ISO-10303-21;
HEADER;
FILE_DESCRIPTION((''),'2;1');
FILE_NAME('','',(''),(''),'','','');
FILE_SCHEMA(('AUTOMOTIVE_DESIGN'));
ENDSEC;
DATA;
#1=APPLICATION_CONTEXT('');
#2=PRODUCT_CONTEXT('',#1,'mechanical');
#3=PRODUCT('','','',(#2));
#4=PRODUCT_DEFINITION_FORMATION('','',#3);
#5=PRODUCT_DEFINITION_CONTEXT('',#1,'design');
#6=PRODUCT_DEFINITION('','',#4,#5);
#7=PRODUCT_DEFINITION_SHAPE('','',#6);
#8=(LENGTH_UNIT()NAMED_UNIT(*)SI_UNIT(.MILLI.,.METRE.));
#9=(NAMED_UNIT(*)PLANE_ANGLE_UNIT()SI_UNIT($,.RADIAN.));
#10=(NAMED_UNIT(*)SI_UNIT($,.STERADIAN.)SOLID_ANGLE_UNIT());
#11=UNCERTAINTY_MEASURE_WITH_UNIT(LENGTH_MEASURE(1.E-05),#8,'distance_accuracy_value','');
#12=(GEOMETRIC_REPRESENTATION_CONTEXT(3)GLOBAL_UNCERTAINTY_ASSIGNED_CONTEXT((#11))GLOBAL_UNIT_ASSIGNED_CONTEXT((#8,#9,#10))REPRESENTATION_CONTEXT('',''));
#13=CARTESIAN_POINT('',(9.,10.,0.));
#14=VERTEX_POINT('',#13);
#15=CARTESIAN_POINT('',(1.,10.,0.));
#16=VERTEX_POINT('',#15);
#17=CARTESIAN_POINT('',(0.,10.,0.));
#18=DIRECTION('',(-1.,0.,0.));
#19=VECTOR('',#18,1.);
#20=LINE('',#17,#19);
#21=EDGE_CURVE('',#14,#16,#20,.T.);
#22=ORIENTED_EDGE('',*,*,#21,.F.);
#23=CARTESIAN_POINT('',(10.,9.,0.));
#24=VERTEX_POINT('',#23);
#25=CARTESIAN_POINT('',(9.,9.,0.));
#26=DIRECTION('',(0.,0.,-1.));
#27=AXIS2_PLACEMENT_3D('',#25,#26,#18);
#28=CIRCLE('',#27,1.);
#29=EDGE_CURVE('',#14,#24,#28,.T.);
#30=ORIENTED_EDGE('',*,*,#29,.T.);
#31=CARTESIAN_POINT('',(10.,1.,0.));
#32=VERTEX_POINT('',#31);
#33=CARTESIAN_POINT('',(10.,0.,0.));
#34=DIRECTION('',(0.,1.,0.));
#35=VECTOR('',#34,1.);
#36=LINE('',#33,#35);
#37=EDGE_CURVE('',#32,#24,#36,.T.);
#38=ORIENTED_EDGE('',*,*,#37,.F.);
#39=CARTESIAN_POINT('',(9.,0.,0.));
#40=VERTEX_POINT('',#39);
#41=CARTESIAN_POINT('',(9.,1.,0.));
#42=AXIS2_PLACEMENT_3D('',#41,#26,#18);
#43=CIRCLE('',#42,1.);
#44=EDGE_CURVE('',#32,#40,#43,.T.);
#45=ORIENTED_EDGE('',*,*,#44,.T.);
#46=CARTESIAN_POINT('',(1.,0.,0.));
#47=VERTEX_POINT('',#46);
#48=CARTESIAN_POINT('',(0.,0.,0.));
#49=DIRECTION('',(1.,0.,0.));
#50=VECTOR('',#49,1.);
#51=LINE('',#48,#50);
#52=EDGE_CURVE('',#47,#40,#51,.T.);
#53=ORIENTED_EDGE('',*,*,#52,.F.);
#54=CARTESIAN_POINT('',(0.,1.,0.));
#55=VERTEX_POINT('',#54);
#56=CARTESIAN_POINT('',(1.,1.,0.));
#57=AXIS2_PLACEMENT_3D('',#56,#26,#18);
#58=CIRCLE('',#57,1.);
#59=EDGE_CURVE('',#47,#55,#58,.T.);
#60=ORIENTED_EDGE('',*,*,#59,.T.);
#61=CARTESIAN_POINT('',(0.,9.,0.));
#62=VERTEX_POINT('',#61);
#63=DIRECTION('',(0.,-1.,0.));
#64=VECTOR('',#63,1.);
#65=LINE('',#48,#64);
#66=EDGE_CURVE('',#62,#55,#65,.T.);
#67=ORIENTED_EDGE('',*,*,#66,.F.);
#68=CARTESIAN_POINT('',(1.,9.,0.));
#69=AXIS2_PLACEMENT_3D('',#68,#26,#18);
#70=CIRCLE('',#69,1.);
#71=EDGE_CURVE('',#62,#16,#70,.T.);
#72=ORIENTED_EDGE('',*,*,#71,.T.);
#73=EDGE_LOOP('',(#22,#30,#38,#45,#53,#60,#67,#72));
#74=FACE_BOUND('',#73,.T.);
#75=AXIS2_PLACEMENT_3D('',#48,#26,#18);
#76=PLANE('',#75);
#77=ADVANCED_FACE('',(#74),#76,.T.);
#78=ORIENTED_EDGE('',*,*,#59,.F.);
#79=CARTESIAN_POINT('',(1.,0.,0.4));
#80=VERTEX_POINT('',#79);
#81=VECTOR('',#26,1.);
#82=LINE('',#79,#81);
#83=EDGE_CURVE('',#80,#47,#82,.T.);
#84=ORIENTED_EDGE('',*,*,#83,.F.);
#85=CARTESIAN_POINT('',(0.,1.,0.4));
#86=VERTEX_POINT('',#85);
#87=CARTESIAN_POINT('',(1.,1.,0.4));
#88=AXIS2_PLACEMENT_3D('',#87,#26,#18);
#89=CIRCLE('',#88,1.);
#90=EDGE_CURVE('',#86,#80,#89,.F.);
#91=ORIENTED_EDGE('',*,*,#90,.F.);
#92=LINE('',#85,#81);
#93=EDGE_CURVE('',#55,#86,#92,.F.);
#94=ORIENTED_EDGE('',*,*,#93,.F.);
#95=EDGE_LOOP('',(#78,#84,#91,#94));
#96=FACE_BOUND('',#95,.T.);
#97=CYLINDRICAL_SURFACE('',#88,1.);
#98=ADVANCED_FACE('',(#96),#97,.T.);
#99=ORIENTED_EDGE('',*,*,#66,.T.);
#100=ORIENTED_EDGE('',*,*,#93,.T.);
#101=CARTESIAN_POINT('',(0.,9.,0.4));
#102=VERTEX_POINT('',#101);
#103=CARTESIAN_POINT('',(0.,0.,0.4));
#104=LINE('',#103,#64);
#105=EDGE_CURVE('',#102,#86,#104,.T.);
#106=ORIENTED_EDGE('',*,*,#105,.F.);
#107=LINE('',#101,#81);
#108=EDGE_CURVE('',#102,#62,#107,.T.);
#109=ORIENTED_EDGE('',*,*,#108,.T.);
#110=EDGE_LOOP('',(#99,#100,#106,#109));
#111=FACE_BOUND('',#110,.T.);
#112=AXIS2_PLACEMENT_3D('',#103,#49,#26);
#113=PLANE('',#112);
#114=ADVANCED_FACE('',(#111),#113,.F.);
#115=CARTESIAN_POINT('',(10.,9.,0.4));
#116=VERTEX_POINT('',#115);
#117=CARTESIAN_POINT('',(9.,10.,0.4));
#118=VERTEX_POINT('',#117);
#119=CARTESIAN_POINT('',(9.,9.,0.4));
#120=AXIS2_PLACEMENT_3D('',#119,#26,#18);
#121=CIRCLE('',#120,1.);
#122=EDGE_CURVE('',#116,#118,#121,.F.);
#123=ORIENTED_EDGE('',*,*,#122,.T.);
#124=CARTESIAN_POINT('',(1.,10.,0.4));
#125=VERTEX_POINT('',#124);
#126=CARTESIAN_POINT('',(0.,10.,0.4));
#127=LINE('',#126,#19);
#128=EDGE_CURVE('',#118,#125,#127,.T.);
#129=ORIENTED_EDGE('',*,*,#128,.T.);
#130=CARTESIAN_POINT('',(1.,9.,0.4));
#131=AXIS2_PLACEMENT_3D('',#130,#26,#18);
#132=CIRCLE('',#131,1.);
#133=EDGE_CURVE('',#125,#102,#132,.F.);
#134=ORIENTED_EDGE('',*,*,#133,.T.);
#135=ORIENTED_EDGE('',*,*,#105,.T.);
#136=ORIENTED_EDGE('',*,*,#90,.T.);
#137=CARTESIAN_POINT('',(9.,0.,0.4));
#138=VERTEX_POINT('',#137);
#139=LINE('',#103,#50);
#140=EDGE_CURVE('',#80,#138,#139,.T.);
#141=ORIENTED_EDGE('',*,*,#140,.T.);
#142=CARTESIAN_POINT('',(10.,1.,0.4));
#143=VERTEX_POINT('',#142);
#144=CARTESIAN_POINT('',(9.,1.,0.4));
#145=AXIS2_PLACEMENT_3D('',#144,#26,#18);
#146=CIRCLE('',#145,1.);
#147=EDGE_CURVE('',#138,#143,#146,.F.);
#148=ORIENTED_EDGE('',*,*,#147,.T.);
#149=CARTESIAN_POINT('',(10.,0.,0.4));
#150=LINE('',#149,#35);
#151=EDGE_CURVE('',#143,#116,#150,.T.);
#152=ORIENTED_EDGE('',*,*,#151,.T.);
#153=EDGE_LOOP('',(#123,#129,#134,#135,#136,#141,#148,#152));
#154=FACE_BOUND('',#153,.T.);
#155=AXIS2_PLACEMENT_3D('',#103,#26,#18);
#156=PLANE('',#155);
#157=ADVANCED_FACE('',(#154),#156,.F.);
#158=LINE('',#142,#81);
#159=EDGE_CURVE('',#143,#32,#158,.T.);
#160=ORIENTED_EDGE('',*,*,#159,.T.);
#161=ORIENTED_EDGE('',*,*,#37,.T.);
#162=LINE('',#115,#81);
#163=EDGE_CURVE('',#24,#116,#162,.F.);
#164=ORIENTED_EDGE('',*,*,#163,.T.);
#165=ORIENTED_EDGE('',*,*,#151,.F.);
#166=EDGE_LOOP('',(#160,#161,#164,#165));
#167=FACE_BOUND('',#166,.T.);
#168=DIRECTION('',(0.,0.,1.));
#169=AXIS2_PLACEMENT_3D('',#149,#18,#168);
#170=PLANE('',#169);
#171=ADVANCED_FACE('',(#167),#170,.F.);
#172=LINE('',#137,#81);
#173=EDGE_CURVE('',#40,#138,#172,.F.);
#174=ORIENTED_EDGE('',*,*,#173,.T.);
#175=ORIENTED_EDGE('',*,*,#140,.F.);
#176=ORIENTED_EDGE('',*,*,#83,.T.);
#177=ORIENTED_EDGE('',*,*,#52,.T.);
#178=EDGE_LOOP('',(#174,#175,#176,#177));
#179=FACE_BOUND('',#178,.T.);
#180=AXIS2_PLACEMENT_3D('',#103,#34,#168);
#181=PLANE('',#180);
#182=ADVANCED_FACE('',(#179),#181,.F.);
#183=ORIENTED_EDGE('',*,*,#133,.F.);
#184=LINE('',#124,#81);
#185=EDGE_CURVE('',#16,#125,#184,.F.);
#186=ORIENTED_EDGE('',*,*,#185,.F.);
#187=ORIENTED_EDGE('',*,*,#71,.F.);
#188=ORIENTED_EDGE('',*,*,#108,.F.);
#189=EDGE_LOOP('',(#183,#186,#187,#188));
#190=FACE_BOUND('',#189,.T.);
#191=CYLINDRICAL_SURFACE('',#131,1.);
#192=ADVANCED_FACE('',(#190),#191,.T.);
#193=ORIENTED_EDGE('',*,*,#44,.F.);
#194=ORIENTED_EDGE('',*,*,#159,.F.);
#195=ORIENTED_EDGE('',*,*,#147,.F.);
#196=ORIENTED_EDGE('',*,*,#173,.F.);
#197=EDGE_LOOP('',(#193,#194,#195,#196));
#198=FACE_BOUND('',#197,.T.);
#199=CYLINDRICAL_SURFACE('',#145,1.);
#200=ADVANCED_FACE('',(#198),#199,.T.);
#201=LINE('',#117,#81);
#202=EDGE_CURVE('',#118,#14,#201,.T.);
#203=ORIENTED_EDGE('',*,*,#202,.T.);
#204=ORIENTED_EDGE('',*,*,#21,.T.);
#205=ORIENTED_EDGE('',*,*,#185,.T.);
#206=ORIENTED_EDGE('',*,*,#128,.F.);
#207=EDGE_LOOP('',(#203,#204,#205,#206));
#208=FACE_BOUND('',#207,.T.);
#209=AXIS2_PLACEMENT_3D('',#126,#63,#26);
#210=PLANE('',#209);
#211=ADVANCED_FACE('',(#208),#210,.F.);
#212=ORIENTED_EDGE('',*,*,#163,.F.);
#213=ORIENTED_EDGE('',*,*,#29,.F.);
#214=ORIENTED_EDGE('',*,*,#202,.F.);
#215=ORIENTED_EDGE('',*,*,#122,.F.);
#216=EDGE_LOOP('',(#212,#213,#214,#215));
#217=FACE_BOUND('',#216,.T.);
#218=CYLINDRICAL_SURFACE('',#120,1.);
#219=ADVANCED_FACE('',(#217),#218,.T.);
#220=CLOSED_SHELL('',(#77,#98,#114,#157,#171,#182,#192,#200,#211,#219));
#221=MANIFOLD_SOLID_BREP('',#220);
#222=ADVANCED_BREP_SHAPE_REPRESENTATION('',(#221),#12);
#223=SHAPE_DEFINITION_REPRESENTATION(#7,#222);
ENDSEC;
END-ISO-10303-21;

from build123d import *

# Parameters (mm, degrees)
ESQUISSE1_W        = 10
ESQUISSE1_H        = 10
BOSS_EXTRU_1_DEPTH = 0.4
CONG_1_R           = 1


with BuildPart() as part:
    # Esquisse1 → Boss.-Extru.1 (new body)
    with BuildSketch(Plane.XY):
        with Locations((5, 5)):
            Rectangle(ESQUISSE1_W, ESQUISSE1_H)
    extrude(amount=BOSS_EXTRU_1_DEPTH)

    # Congé1
    cong_1_edges = [part.edges().sort_by_distance(p)[0] for p in [
        (0, 10, 0.2),
        (10, 10, 0.2),
        (10, 0, 0.2),
        (0, 0, 0.2),
    ]]
    fillet(cong_1_edges, radius=CONG_1_R)


solid = part.part
